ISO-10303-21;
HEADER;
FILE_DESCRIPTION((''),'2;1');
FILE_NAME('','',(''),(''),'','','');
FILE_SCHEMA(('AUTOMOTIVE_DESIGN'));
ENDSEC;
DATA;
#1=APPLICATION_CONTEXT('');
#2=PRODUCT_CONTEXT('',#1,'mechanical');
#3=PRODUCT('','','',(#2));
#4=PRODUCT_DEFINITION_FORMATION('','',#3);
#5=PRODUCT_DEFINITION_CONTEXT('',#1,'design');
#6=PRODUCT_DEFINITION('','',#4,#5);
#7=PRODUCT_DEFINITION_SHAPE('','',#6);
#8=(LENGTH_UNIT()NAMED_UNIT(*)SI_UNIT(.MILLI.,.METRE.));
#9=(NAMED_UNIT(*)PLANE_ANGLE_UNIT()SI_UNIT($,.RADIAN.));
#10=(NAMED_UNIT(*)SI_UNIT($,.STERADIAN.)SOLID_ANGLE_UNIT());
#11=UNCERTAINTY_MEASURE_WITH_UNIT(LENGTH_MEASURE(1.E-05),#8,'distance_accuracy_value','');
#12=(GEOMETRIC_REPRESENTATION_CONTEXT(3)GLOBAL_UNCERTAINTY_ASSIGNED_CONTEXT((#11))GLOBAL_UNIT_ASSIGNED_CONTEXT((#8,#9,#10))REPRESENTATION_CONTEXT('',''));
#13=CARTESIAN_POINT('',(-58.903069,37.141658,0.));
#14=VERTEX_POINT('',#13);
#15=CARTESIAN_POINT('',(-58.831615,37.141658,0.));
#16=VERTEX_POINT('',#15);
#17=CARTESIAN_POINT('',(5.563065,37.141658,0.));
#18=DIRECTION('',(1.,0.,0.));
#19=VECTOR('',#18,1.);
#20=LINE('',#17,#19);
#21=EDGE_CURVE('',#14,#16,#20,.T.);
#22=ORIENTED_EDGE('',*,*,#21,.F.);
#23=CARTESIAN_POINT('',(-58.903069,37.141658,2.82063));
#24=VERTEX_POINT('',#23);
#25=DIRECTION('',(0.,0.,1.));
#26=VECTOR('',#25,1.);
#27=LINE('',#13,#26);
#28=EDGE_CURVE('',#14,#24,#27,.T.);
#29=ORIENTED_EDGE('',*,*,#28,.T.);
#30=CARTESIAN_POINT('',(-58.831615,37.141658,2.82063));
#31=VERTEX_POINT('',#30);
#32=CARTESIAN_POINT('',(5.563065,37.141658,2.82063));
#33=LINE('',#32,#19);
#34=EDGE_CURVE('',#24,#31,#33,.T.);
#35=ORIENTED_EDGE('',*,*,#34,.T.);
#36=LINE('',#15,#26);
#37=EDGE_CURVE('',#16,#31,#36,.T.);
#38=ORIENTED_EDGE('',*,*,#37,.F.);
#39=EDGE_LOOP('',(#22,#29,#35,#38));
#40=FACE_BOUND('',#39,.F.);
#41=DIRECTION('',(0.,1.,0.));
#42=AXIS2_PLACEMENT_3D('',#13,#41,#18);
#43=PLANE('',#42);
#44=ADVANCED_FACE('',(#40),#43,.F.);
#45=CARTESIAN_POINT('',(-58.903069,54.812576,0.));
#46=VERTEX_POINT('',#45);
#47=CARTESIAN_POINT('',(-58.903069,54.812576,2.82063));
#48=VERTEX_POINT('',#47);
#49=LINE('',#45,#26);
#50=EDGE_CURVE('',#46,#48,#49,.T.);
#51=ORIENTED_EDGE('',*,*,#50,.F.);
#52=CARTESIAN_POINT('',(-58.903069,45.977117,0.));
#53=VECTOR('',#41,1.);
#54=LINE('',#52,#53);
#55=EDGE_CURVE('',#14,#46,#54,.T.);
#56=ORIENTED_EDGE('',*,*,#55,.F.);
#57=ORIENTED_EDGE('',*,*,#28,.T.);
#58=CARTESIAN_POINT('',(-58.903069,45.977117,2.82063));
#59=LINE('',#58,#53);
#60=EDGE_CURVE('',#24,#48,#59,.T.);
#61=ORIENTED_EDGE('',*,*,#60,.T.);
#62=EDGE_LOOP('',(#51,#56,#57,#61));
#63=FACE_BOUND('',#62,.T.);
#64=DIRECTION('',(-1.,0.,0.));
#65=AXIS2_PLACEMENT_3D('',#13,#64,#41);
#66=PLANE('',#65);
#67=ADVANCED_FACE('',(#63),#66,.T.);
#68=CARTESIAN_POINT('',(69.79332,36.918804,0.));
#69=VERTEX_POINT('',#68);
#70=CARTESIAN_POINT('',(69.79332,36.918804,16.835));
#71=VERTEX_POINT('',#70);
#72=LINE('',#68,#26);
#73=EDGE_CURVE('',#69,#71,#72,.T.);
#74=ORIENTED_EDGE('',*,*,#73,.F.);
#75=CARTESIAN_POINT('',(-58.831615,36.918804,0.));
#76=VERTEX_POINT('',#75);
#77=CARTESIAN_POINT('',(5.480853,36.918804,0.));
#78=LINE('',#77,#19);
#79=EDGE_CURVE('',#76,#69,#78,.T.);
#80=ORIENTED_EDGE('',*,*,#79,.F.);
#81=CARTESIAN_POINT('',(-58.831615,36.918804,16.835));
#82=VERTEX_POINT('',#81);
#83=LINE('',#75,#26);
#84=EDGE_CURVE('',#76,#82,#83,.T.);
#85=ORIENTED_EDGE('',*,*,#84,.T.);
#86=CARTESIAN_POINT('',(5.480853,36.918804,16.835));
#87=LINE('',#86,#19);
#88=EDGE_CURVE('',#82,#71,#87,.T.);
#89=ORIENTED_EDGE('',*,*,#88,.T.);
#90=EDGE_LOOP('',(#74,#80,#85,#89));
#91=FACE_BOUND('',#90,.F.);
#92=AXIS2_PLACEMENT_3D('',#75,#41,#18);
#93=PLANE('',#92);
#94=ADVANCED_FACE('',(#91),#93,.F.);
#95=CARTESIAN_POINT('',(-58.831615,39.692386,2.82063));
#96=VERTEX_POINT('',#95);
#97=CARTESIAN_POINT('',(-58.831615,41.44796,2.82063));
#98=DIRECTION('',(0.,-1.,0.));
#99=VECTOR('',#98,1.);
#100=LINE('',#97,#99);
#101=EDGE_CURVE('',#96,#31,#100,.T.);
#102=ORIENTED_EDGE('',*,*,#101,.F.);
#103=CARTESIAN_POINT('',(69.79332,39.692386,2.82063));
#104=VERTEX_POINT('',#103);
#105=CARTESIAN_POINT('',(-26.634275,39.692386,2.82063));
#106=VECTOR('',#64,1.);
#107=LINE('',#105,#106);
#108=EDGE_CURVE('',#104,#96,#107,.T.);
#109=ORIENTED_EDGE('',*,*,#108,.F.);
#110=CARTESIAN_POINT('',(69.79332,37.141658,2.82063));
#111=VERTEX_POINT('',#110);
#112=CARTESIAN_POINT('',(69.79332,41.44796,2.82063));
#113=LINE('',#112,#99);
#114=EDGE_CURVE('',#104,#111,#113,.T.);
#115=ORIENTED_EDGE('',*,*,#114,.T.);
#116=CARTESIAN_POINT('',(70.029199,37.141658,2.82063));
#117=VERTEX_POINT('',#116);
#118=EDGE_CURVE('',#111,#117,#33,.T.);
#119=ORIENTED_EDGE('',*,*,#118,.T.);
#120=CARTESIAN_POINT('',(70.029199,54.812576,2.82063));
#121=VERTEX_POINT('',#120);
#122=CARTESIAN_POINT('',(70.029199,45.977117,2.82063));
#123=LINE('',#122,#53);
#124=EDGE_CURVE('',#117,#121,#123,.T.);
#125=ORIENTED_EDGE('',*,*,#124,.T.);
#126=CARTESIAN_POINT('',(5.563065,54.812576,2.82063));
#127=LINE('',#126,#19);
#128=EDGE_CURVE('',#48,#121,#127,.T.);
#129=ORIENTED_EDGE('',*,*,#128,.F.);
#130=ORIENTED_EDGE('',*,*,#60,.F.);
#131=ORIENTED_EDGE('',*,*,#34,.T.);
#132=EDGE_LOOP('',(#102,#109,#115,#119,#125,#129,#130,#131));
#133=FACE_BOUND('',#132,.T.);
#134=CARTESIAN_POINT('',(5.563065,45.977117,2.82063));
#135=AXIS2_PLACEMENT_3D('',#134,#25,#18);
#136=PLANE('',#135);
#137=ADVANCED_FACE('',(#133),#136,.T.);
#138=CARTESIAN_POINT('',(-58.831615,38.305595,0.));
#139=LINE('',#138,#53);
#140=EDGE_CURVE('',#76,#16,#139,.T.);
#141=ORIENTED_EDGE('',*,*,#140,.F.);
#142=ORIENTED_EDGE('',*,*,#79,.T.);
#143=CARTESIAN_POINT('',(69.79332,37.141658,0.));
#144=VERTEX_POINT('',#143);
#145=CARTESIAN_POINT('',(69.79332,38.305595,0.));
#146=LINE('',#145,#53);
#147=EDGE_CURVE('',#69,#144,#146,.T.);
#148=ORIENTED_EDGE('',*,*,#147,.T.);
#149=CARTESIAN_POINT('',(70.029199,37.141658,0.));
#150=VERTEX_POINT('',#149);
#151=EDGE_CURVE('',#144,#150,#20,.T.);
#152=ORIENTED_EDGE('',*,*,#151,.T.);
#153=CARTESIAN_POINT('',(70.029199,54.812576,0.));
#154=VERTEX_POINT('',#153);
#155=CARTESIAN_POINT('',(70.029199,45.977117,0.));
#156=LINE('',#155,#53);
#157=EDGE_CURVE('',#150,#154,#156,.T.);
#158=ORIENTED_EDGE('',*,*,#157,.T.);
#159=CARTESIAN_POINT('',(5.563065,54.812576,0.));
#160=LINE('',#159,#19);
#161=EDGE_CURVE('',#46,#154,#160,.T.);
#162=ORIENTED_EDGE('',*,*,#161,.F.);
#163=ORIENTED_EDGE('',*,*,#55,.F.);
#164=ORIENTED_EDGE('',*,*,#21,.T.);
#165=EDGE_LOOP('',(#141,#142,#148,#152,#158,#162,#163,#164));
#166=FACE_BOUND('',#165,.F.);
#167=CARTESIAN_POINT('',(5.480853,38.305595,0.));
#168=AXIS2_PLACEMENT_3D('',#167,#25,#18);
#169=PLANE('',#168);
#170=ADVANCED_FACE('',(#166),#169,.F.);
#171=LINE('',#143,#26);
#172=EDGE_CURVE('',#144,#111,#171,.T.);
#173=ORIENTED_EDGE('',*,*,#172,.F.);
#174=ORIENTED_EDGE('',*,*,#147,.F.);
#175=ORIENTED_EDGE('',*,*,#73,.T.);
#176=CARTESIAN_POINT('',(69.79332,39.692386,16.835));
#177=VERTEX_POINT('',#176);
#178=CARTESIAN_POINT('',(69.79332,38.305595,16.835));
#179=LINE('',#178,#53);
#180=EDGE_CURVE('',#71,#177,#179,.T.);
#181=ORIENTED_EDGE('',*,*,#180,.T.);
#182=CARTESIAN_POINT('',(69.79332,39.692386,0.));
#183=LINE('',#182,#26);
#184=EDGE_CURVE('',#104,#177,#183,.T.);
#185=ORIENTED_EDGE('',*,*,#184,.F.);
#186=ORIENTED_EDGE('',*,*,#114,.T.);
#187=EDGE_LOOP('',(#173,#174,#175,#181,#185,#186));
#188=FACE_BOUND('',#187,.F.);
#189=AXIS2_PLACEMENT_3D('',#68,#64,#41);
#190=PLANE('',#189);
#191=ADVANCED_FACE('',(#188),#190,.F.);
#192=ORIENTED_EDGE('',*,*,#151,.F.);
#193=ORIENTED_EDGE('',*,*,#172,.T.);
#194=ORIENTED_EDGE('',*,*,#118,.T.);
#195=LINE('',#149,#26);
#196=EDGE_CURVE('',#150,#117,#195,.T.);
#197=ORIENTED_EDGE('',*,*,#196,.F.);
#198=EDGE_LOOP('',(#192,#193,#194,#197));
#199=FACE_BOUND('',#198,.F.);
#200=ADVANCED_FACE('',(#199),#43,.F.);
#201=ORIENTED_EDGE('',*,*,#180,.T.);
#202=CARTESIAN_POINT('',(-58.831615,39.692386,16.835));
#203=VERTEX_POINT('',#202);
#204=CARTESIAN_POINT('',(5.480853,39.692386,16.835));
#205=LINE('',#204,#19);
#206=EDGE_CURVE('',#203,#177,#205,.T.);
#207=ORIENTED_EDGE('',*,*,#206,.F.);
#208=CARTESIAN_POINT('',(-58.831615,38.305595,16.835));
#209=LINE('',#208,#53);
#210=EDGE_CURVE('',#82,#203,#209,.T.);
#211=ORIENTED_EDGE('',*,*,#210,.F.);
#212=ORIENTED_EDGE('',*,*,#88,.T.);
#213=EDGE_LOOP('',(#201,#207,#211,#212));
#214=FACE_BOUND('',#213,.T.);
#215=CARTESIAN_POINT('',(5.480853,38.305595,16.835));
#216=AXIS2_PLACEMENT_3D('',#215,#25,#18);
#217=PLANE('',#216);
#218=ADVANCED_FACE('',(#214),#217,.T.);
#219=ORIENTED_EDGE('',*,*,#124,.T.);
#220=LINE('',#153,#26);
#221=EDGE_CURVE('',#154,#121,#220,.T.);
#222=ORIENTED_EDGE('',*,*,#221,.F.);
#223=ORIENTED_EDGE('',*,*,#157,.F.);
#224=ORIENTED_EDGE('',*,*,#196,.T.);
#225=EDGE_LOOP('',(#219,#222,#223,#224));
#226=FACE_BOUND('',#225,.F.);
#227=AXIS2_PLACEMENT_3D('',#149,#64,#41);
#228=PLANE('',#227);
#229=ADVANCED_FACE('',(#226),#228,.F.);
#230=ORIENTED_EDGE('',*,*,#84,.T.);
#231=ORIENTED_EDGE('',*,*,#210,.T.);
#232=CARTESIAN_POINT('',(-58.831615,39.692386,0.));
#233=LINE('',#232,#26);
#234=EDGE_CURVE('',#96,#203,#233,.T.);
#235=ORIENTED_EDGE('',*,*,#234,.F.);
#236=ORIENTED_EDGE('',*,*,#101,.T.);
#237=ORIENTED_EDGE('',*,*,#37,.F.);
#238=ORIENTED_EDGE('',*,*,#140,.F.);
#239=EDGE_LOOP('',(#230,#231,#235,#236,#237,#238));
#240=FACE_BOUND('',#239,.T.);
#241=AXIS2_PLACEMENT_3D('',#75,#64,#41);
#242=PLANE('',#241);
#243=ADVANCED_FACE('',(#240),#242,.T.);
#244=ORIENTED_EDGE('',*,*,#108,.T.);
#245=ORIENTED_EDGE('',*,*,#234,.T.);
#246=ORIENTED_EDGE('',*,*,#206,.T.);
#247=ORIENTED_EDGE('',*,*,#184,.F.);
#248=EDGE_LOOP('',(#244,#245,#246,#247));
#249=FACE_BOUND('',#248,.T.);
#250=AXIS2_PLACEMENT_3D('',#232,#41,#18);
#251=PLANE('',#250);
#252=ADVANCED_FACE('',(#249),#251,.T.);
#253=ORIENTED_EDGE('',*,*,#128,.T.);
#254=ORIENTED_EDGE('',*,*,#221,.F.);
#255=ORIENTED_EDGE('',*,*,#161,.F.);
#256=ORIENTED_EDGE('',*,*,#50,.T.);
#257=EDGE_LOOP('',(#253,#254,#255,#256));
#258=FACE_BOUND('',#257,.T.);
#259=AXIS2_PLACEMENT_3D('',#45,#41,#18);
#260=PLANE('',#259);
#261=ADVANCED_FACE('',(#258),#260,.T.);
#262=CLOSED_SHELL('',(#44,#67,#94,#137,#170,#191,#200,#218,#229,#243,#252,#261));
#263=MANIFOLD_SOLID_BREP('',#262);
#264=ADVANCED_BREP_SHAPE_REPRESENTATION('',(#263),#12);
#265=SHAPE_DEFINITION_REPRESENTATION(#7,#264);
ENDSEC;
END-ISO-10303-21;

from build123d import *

# Parameters (mm, degrees)
F0_W     = 128.932267
F0_H     = 17.670919
F1_DEPTH = 2.82063
F2_W     = 128.624935
F2_H     = 2.773583
F3_DEPTH = 16.835


with BuildPart() as f1:
    # F0 (on Top) → F1 (new body)
    with BuildSketch(Plane.XY):
        with Locations((5.563065, 45.977117)):
            Rectangle(F0_W, F0_H)
    extrude(amount=F1_DEPTH)

    # F2 (on Top) → F3 (join)
    with BuildSketch(Plane.XY):
        with Locations((5.480853, 38.305595)):
            Rectangle(F2_W, F2_H)
    extrude(amount=F3_DEPTH)


solid = f1.part
